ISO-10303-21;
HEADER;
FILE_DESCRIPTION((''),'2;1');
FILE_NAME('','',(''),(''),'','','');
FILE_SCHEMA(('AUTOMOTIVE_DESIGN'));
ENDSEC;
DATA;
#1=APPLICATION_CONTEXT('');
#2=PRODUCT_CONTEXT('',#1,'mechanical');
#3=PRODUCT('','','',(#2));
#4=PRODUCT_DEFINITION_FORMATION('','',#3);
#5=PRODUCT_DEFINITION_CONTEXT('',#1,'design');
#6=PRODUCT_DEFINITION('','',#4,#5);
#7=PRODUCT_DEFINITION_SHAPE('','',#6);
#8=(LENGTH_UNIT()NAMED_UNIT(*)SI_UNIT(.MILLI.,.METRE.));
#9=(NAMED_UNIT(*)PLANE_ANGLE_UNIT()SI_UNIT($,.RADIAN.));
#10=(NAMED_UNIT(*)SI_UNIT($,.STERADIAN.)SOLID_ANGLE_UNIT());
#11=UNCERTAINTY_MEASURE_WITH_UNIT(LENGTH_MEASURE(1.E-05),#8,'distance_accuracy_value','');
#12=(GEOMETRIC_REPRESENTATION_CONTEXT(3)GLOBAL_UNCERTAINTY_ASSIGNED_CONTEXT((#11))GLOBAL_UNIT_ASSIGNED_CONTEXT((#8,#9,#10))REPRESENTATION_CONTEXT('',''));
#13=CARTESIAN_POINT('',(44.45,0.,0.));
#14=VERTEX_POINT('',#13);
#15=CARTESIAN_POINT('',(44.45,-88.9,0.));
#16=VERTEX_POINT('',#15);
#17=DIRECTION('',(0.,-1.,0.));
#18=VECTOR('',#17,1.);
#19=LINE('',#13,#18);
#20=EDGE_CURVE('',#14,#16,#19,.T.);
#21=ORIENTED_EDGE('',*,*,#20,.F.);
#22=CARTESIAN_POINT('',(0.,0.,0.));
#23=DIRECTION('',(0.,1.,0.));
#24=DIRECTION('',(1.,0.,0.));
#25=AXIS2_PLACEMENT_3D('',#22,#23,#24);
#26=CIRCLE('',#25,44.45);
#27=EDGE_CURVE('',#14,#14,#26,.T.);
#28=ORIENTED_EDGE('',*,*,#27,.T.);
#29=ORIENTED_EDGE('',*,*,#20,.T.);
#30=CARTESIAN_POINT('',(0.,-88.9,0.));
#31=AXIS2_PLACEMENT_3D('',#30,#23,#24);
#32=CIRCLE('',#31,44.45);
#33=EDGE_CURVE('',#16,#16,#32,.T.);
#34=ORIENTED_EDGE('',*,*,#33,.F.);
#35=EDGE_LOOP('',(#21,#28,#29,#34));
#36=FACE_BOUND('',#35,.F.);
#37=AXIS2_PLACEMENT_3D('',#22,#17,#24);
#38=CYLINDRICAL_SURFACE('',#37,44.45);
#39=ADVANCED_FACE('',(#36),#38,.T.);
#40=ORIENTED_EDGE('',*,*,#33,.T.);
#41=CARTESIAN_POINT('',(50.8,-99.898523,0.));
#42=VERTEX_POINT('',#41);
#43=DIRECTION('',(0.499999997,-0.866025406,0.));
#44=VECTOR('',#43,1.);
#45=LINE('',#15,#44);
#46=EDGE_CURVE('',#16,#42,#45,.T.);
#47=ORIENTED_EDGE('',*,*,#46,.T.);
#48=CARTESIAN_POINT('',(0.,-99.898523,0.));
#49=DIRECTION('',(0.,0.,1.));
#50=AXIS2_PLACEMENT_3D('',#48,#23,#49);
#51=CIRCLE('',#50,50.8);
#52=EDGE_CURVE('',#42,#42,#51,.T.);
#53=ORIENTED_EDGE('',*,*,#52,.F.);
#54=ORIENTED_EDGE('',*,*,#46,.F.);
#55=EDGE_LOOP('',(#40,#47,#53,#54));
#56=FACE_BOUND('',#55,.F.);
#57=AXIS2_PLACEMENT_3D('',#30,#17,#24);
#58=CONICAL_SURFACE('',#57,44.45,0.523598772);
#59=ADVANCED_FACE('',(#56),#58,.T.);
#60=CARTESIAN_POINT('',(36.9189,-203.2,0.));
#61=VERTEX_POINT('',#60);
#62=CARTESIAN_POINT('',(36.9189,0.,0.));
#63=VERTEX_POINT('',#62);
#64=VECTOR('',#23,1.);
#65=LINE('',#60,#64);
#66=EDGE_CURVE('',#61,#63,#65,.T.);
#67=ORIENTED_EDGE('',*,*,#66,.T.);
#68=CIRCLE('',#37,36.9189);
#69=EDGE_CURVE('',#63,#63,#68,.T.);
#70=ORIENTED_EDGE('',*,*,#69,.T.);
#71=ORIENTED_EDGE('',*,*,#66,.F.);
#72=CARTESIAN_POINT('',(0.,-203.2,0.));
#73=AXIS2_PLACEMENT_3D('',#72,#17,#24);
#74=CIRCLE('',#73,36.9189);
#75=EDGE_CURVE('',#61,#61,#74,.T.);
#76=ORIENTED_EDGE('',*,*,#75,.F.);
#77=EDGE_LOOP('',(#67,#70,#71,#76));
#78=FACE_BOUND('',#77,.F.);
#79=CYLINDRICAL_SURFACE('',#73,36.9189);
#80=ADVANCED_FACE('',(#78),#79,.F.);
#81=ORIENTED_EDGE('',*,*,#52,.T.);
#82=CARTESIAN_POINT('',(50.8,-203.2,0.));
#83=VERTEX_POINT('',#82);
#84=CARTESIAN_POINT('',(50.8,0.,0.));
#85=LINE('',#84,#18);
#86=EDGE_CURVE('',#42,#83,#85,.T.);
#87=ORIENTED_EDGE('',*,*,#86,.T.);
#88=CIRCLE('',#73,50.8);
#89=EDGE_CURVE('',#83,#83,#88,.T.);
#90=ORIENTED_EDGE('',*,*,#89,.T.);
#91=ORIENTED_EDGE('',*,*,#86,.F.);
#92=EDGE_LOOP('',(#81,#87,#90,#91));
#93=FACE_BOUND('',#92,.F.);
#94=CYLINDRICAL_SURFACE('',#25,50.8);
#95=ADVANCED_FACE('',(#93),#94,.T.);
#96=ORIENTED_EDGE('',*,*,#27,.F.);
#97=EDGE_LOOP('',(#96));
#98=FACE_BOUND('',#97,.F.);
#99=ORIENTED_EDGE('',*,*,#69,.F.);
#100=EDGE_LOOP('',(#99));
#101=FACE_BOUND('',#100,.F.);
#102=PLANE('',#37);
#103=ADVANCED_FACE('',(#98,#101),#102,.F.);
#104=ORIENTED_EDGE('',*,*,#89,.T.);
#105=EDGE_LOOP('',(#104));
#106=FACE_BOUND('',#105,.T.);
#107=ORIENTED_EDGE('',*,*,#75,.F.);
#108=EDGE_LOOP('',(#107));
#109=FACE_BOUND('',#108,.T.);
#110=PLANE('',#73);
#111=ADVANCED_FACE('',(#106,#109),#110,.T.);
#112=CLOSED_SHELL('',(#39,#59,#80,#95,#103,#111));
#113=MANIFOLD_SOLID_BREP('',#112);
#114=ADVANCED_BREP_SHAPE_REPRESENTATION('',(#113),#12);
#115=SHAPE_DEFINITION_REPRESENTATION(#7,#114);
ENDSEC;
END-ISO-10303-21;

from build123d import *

# Parameters (mm, degrees)
F0_R     = 50.8
F1_DEPTH = 203.2
F4_R     = 36.9189
F5_DEPTH = 203.2


with BuildPart() as f1:
    # F0 (on Front) → F1 (new body)
    with BuildSketch(Plane.XZ):
        Circle(F0_R)
    extrude(amount=F1_DEPTH)

    # F2 (on Top) → F3 (revolve, cut)
    with BuildSketch(Plane.XY):
        Polygon((89.635386, 0), (44.45, 0), (44.45, -88.9), (89.635386, -167.163385), align=None)
    revolve(axis=Axis((0, 0, 0), (0, 1, 0)), mode=Mode.SUBTRACT)

    # F4 (on face) → F5 (cut)
    with BuildSketch(Plane.XZ.offset(203.2)):
        Circle(F4_R)
    extrude(amount=-F5_DEPTH, mode=Mode.SUBTRACT)


solid = f1.part
